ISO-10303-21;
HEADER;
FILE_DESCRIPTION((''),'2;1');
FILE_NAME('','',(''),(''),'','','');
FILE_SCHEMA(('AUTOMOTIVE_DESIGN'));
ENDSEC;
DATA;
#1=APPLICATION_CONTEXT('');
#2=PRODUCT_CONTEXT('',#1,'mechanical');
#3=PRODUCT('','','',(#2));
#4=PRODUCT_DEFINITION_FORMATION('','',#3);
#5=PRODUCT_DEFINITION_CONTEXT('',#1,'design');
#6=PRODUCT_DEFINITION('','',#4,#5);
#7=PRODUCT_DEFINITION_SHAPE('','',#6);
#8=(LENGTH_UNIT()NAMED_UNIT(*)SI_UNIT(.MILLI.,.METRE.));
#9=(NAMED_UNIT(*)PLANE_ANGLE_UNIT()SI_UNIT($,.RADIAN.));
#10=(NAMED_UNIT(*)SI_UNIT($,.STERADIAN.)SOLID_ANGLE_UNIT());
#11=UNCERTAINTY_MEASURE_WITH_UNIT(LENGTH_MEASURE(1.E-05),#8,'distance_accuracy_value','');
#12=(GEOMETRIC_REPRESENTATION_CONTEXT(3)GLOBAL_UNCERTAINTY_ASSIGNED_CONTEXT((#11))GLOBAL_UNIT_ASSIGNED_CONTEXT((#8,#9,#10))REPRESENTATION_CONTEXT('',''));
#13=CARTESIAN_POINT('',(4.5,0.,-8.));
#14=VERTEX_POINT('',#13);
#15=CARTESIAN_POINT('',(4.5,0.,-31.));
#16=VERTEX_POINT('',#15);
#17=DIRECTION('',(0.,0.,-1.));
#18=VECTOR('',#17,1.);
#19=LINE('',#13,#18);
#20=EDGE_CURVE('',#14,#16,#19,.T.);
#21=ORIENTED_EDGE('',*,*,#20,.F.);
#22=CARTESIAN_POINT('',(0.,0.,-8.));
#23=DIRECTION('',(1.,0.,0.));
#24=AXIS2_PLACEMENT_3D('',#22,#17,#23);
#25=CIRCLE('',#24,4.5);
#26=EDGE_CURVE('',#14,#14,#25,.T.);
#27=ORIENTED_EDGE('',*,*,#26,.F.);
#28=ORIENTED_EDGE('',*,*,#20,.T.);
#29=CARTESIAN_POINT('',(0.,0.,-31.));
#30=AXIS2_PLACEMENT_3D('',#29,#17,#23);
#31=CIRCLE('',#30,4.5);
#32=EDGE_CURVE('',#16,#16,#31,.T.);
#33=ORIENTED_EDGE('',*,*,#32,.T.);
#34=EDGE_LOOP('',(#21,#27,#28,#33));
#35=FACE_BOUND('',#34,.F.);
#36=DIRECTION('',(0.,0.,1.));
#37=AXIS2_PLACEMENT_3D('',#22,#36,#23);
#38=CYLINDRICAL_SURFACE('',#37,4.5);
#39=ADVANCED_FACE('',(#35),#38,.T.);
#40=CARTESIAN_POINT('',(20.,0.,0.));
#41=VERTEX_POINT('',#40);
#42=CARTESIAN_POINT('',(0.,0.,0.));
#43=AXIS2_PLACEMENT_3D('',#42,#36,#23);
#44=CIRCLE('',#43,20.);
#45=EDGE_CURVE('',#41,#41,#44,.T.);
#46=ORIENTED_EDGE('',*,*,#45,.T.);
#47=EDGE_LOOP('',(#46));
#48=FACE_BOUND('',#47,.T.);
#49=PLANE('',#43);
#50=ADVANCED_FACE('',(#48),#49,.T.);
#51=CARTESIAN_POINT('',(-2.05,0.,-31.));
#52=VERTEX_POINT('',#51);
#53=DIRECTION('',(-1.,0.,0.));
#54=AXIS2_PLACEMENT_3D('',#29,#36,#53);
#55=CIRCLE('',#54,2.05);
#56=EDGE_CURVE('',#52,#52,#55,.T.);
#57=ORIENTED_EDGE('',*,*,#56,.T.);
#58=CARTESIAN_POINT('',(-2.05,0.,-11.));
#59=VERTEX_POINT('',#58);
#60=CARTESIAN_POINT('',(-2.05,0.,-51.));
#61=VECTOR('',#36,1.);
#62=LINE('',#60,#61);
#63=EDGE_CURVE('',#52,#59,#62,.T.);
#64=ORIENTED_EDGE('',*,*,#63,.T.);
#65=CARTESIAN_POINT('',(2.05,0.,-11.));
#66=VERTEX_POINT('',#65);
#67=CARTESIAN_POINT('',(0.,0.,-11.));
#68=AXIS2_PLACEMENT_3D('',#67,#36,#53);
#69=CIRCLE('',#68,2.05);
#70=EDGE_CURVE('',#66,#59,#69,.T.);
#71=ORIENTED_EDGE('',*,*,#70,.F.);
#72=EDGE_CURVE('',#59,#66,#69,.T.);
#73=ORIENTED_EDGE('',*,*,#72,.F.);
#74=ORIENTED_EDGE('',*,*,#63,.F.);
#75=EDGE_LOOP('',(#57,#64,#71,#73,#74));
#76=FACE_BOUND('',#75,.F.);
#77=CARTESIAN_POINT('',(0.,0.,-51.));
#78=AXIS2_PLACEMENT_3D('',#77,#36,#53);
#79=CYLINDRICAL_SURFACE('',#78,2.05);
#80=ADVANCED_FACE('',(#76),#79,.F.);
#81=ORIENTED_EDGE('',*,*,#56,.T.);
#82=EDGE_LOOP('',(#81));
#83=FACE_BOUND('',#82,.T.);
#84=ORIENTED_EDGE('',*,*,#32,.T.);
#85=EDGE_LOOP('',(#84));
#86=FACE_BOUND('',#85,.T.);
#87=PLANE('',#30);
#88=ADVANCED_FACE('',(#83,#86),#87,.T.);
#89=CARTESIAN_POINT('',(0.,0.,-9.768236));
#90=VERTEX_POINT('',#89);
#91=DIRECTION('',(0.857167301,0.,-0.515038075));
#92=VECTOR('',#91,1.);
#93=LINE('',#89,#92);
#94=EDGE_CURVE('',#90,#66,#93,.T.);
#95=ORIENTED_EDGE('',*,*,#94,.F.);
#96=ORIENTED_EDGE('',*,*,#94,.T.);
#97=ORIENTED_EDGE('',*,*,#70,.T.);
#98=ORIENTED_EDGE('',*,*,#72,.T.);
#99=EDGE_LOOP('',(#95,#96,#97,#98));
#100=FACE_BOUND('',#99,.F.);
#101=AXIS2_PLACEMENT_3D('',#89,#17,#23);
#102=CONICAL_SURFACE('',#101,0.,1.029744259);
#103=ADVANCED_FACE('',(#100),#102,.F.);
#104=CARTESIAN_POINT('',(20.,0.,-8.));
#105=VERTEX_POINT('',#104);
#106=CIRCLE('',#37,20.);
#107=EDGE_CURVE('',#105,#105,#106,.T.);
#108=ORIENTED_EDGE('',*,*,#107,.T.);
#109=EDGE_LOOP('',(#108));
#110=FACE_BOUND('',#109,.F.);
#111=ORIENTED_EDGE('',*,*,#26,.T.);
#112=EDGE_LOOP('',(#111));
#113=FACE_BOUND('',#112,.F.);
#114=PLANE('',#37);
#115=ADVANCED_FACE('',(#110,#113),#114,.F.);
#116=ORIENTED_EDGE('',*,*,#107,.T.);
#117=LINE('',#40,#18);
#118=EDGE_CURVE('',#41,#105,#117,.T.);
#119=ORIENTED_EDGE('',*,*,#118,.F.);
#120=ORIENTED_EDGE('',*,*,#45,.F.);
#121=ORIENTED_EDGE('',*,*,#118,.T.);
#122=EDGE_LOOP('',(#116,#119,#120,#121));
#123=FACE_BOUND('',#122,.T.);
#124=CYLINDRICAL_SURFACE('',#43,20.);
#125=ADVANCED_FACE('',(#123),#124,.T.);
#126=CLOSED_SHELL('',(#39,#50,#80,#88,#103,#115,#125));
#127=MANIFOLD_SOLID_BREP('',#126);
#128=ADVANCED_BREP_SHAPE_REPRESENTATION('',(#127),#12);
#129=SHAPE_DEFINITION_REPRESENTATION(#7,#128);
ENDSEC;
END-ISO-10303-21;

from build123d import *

# Parameters (mm, degrees)
F0_R     = 20
F1_DEPTH = 8
F2_R     = 4.5
F3_DEPTH = 23
F5_D     = 4.1
F5_DEPTH = 20
F5_TIP   = 1.231764269


with BuildPart() as f1:
    # F0 (on Top) → F1 (new body)
    with BuildSketch(Plane.XY):
        Circle(F0_R)
    extrude(amount=-F1_DEPTH)

    # F2 (on face) → F3 (join)
    with BuildSketch(Plane(origin=(0, 0, -8), x_dir=(1, 0, 0), z_dir=(0, 0, -1))):
        Circle(F2_R)
    extrude(amount=F3_DEPTH)

    # F5
    with Locations(Plane(origin=(0, 0, -31), x_dir=(1, 0, 0), z_dir=(0, 0, -1))):
        with Locations((0, 0)):
            Hole(F5_D / 2, depth=F5_DEPTH)
            with Locations((0, 0, -(F5_DEPTH + F5_TIP / 2))):  # 118° drill point
                Cone(0, F5_D / 2, F5_TIP, mode=Mode.SUBTRACT)


solid = f1.part
